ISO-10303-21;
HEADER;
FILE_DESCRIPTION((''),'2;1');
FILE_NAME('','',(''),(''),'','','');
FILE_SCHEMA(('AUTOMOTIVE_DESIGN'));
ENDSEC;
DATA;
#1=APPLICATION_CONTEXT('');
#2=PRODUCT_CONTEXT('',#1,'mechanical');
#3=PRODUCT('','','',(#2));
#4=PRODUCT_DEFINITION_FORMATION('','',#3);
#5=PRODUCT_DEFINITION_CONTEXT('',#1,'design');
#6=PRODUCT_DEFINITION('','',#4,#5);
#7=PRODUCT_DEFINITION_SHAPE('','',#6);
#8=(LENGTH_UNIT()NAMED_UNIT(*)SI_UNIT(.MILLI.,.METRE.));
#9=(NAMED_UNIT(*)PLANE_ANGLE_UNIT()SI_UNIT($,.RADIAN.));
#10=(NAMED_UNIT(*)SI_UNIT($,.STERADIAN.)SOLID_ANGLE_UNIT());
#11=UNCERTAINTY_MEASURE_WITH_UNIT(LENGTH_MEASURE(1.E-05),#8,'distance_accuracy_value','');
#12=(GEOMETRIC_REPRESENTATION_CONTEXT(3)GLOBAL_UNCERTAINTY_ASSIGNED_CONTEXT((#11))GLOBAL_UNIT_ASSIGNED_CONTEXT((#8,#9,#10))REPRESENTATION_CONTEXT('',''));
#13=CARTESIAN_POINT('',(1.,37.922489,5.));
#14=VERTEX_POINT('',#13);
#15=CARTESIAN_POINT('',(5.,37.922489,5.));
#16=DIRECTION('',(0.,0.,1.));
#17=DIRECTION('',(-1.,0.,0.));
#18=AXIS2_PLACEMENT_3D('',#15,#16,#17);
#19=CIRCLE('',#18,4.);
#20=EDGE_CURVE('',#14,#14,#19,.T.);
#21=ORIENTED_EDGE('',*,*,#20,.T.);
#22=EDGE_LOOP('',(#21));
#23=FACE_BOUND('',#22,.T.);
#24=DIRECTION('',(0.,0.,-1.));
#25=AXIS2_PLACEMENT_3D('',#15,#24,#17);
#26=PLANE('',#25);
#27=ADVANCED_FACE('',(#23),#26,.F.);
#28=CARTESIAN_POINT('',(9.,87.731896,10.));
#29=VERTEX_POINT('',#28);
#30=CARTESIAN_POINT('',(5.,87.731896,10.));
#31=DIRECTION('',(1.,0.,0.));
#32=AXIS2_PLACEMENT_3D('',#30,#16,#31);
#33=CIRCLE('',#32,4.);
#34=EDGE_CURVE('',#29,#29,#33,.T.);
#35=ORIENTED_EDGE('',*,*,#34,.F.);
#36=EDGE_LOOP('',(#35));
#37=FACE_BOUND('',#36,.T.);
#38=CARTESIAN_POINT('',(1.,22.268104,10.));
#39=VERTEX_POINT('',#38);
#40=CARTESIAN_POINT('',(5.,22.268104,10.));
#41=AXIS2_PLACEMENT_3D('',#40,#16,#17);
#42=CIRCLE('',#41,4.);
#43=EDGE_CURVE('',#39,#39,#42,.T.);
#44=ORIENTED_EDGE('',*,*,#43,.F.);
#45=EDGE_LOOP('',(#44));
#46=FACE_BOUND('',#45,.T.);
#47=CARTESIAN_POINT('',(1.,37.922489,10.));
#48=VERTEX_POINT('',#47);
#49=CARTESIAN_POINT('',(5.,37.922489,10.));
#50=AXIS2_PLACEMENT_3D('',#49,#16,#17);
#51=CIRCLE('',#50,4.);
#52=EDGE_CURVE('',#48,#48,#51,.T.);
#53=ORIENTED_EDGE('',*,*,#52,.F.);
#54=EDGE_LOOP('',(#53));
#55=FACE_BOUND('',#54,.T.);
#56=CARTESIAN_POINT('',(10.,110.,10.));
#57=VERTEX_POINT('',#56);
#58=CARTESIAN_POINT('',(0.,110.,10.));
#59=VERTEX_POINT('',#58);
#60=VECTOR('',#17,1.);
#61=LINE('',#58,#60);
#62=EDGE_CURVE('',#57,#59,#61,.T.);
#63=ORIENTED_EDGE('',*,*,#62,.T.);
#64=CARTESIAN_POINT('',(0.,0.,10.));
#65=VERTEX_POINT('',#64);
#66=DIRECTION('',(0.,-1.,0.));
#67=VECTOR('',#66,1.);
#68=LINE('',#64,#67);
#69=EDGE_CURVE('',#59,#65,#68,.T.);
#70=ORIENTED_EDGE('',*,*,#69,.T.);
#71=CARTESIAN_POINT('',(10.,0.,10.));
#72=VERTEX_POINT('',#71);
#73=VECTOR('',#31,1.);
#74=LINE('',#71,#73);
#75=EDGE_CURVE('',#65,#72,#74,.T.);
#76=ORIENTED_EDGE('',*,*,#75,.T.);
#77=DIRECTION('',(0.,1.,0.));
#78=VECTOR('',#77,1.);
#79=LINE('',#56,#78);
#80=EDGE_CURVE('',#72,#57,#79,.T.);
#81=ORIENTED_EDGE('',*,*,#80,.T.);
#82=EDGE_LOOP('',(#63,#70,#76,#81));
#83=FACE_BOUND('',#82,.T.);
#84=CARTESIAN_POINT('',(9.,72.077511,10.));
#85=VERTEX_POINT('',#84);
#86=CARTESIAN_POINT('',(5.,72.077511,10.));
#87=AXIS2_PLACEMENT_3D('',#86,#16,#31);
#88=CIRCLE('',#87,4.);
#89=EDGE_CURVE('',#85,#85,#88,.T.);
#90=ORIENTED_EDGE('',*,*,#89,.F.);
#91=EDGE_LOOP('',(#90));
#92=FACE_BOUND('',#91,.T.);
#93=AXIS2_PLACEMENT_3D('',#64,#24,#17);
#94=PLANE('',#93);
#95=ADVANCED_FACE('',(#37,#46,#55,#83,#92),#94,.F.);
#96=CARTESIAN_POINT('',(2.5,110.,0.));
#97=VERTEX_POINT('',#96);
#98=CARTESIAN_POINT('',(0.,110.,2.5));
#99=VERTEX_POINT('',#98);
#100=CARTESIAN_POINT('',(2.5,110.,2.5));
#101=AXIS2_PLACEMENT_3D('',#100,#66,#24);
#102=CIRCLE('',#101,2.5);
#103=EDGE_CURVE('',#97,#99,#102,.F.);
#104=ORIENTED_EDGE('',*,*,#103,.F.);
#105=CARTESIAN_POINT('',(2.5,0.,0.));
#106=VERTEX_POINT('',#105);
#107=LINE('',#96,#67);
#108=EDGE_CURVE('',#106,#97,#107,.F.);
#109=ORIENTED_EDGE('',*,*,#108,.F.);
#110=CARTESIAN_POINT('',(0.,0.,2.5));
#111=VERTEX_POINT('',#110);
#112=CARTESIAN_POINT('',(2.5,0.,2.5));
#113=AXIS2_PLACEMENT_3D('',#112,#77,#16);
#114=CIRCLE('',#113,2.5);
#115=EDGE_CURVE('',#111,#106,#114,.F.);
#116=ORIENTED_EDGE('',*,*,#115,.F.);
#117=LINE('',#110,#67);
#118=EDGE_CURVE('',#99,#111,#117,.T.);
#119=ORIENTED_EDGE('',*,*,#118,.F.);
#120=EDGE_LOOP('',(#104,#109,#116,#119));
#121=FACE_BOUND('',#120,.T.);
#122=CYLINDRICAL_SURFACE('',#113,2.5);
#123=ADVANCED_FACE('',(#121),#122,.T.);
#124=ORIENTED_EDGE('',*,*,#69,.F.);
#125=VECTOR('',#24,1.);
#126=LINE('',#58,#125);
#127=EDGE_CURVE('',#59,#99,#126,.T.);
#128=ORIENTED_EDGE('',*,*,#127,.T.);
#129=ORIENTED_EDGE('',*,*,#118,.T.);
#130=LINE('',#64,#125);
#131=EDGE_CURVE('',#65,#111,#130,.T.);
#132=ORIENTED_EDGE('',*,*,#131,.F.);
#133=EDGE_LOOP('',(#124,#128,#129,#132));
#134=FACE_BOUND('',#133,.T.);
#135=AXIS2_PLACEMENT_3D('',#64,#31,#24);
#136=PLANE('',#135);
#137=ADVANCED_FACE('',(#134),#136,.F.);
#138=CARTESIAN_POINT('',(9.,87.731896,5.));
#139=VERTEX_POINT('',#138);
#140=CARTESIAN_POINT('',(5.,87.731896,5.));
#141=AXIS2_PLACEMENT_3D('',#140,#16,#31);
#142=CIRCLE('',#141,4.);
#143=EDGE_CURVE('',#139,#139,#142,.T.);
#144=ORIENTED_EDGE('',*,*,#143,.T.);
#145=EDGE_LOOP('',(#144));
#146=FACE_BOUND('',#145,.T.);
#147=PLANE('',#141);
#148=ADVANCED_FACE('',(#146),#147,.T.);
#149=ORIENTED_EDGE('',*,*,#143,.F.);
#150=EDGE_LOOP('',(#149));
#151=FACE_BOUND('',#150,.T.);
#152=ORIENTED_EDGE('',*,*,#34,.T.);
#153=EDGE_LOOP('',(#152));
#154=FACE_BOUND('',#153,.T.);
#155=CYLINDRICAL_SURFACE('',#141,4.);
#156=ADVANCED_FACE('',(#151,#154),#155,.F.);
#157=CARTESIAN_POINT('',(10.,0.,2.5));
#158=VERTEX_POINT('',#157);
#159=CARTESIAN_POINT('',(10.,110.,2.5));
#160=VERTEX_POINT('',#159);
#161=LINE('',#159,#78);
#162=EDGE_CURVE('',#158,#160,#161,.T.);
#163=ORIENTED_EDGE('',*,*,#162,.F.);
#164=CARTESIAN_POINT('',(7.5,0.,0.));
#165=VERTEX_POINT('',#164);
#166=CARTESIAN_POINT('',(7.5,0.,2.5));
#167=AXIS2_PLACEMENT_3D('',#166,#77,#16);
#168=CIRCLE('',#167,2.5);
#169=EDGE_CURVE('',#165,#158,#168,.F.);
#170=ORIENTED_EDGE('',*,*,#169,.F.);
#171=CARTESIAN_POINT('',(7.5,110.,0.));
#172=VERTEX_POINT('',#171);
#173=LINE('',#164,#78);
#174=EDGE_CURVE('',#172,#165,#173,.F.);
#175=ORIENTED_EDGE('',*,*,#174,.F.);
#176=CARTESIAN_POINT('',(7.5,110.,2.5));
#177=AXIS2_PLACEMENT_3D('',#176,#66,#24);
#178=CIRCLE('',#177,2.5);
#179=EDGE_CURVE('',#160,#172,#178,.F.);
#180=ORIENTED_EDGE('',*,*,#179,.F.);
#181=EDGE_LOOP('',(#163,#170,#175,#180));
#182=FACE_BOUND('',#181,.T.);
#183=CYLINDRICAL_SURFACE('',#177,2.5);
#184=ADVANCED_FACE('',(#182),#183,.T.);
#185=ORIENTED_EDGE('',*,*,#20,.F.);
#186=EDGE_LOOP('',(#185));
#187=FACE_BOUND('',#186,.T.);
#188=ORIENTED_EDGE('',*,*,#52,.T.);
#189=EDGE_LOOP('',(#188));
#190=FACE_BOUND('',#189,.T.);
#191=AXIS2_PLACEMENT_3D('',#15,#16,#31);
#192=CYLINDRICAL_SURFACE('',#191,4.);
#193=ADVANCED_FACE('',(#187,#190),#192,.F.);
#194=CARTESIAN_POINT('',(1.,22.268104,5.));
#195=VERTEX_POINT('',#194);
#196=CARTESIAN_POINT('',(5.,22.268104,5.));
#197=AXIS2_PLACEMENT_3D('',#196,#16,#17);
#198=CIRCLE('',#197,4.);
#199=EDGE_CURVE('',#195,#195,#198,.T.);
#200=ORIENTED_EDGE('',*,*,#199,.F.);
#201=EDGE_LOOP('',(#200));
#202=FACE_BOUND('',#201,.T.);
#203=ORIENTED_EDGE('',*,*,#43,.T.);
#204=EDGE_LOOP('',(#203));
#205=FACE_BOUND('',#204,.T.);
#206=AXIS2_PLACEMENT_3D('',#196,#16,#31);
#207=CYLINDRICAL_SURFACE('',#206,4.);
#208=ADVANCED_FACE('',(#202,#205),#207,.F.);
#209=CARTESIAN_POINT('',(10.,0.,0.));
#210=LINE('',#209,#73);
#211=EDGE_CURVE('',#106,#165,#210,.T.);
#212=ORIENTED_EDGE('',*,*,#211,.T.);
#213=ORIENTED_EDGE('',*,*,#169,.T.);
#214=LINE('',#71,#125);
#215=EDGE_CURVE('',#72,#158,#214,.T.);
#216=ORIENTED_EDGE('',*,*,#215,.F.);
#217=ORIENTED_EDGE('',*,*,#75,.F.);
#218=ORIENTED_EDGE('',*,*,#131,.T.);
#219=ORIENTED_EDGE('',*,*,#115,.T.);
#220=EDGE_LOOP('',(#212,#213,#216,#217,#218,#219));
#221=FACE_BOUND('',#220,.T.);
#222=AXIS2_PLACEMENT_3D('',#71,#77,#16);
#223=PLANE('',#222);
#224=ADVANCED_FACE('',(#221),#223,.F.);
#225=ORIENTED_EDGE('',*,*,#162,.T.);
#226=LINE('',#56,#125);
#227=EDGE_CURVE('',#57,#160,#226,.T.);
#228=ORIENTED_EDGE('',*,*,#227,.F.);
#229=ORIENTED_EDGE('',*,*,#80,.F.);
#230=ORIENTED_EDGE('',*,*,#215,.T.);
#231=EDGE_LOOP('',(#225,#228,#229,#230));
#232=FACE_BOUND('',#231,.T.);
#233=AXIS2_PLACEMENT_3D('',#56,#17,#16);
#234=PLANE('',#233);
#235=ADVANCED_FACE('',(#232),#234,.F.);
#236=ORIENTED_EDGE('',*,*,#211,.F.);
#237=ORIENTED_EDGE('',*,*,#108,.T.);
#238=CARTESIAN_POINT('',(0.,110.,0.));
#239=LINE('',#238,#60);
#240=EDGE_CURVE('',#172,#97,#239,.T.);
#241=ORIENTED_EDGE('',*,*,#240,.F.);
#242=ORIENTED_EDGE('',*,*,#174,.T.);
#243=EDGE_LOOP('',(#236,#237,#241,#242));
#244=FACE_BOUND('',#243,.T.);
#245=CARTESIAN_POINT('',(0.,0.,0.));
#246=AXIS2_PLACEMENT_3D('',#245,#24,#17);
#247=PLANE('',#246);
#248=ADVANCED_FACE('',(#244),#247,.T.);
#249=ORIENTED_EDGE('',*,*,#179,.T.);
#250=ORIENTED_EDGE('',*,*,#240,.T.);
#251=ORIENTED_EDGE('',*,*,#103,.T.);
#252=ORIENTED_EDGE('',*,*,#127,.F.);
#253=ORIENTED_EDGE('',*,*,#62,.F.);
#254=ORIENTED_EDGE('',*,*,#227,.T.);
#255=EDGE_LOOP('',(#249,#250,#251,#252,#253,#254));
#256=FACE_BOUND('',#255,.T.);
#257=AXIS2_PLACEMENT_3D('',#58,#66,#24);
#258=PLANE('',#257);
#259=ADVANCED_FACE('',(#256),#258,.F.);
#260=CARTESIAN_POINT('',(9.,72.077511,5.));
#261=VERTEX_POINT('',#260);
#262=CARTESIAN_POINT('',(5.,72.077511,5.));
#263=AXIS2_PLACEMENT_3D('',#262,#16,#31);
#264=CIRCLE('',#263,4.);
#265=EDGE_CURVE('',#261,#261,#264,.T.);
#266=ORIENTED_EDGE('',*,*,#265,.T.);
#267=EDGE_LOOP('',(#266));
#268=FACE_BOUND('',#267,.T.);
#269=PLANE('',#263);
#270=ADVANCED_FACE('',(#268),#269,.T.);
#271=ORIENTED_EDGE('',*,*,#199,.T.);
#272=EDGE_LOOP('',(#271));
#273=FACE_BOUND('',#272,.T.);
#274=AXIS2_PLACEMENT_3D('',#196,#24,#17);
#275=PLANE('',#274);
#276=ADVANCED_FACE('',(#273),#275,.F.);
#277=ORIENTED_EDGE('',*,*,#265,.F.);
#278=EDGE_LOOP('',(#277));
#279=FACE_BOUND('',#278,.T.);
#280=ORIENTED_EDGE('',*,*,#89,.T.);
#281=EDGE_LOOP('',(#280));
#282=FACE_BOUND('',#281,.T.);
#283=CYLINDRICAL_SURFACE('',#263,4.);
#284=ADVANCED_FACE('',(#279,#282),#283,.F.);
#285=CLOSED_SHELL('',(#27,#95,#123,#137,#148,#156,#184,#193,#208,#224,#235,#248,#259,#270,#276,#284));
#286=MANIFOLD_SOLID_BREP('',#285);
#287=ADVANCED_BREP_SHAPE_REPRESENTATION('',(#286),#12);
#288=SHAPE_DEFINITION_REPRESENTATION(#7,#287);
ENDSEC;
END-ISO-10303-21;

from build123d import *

# Parameters (mm, degrees)
SKETCH2_W           = 10
SKETCH2_H           = 110
BOSS_EXTRUDE1_DEPTH = 10
SKETCH3_R           = 4
CUT_EXTRUDE1_DEPTH  = 5
FILLET1_R           = 2.5


with BuildPart() as part:
    # Sketch2 → Boss-Extrude1 (new body)
    with BuildSketch(Plane.XY):
        with Locations((5, 55)):
            Rectangle(SKETCH2_W, SKETCH2_H)
    extrude(amount=BOSS_EXTRUDE1_DEPTH)

    # Sketch3 → Cut-Extrude1 (cut)
    with BuildSketch(Plane.XY.offset(10)):
        with Locations((5, 87.731895651)):
            Circle(SKETCH3_R)
        with Locations((5, 72.077510774)):
            Circle(SKETCH3_R)
        with Locations(Location((5, 37.922489226, 0), (0, 0, 180))):
            Circle(SKETCH3_R)
        with Locations(Location((5, 22.268104349, 0), (0, 0, 180))):
            Circle(SKETCH3_R)
    extrude(amount=-CUT_EXTRUDE1_DEPTH, mode=Mode.SUBTRACT)

    # Fillet1
    fillet1_edges = [part.edges().sort_by_distance(p)[0] for p in [
        (0, 55, 0),
        (10, 55, 0),
    ]]
    fillet(fillet1_edges, radius=FILLET1_R)


solid = part.part
